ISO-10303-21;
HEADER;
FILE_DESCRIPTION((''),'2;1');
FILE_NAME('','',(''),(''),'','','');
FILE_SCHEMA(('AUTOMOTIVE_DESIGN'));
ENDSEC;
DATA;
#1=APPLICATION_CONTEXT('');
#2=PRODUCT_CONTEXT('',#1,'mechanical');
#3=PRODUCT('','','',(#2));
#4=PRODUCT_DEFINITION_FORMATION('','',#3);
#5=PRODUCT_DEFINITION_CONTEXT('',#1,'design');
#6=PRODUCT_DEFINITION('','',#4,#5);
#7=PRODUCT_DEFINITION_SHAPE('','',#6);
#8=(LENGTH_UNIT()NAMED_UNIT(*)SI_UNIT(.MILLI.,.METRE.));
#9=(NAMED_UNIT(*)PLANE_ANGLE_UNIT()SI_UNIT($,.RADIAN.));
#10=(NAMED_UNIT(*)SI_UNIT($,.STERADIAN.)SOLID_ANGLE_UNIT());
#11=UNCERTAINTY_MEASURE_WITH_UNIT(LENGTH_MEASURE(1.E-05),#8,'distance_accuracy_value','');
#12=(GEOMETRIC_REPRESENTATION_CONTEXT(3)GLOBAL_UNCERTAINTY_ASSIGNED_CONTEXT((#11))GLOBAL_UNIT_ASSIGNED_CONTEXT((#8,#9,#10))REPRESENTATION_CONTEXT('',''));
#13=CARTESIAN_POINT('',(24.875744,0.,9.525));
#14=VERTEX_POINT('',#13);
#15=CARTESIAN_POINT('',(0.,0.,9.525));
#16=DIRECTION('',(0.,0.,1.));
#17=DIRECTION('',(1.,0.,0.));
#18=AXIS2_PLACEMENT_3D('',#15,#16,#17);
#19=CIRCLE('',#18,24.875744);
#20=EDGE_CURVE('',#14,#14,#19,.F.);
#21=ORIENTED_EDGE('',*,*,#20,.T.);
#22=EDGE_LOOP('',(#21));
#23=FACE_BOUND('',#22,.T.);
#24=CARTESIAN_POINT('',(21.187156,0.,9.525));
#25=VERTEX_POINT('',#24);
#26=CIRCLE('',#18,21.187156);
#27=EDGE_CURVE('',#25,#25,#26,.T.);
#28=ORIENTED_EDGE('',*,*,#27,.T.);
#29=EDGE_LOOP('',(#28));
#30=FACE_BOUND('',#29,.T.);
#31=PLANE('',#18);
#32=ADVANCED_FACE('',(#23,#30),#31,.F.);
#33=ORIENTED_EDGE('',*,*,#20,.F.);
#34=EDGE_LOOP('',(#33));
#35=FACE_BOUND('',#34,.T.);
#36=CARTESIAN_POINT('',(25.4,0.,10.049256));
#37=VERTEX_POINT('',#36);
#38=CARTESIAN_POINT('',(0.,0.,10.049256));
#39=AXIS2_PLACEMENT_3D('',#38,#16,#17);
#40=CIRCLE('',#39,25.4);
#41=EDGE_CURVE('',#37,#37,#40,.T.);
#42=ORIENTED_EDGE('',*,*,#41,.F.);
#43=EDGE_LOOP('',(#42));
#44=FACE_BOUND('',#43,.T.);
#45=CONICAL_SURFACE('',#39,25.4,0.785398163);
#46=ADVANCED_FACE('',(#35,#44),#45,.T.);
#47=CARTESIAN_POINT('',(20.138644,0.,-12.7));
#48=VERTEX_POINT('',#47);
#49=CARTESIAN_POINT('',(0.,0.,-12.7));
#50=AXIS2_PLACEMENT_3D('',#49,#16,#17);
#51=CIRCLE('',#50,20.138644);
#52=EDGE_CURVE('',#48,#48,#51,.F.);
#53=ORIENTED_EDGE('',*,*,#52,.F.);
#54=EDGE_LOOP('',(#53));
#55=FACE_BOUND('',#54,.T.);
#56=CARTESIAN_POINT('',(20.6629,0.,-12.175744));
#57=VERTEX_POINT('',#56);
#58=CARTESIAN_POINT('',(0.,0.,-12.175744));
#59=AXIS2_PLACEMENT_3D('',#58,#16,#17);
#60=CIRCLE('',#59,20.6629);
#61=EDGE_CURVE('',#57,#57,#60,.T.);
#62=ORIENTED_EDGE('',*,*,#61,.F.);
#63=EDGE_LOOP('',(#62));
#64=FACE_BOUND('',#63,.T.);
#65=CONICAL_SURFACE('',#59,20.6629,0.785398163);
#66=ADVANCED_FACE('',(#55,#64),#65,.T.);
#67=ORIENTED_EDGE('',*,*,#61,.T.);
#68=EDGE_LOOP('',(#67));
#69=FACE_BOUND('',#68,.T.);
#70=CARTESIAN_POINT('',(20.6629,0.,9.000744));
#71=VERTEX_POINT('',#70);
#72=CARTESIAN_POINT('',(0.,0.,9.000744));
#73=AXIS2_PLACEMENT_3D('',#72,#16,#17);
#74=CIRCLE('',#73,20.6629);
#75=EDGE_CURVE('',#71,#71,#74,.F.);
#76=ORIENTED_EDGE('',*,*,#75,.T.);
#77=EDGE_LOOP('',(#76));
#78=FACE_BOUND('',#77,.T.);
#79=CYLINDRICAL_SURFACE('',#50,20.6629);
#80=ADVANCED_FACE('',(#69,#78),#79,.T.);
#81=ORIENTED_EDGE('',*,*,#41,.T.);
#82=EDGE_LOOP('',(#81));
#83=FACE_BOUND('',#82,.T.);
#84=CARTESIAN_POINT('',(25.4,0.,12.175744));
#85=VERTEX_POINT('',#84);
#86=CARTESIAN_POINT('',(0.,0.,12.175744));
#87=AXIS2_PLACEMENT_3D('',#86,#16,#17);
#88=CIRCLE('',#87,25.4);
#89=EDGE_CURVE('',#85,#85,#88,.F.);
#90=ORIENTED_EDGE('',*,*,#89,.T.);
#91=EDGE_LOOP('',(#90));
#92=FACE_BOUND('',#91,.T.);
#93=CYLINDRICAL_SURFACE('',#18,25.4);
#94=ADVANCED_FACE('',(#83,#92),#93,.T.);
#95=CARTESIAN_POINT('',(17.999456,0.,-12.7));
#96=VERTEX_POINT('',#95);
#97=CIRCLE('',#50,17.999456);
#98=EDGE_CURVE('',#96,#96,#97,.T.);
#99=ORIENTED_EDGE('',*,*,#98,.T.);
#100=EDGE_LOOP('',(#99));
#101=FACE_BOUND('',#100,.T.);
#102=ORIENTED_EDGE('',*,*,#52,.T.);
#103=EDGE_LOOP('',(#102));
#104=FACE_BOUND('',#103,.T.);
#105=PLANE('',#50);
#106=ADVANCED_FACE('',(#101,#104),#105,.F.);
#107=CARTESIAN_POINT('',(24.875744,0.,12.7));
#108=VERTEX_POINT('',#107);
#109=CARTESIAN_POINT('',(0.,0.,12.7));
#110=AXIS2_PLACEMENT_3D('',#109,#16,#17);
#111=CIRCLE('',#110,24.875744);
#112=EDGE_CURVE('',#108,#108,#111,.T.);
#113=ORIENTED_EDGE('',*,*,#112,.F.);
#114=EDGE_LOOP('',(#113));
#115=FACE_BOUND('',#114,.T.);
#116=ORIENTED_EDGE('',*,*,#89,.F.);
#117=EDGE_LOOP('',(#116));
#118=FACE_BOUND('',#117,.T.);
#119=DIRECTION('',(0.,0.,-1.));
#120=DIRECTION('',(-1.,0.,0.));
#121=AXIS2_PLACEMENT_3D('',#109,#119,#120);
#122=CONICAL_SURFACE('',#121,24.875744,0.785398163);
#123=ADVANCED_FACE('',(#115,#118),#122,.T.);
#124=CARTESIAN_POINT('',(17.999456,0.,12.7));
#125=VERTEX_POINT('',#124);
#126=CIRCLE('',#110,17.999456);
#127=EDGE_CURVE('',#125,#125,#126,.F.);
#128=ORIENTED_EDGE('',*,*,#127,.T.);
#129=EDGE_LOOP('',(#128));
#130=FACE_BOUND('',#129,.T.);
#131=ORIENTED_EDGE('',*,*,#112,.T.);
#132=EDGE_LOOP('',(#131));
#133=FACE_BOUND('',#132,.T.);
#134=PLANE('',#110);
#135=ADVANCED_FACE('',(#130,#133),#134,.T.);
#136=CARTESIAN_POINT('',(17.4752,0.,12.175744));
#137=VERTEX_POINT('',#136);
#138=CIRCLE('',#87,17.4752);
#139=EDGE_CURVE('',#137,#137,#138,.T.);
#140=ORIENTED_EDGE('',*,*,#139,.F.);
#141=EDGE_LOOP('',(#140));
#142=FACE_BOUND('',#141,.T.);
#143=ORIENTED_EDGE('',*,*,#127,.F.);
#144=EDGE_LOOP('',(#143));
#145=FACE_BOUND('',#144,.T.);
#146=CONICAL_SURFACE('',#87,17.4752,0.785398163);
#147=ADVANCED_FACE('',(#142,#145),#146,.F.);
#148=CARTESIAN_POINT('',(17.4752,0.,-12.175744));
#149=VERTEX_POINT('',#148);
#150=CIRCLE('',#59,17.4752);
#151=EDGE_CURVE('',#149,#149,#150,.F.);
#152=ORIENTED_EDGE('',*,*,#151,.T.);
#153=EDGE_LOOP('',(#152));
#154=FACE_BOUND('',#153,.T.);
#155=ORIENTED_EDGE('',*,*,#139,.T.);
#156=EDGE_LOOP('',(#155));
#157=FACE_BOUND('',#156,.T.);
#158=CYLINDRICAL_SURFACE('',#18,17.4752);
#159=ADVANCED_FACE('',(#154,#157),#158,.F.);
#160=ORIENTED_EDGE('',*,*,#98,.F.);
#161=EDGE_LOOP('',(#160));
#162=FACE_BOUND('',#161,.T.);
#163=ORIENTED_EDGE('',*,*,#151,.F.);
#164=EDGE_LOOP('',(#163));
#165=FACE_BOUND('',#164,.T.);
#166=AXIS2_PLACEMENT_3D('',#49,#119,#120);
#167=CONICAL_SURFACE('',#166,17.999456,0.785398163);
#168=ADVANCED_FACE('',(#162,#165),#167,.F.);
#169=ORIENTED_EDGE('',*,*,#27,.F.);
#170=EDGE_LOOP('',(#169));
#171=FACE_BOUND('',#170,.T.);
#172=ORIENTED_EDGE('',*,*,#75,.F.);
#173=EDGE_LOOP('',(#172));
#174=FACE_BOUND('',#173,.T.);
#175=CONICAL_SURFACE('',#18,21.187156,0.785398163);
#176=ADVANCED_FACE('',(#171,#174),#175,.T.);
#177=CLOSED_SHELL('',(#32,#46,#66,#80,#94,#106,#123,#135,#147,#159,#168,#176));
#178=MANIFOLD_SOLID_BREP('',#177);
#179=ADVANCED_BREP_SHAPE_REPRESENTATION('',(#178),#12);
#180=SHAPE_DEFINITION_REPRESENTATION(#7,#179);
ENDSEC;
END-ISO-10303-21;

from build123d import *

# Parameters (mm, degrees)
BOSS_EXTRUDE1_START = 12.7
SKETCH3_R           = 25.4
SKETCH3_R_2         = 17.4752
BOSS_EXTRUDE1_DEPTH = 3.175
BOSS_EXTRUDE2_START = 9.525
SKETCH4_R           = 20.6629
SKETCH4_R_2         = 17.4752
BOSS_EXTRUDE2_DEPTH = 22.225
CHAMFER1_SIZE       = 0.524256


with BuildPart() as part:
    # Sketch3 → Boss-Extrude1 (new body)
    with BuildSketch(Plane.XY.offset(BOSS_EXTRUDE1_START)):
        Circle(SKETCH3_R)
        Circle(SKETCH3_R_2, mode=Mode.SUBTRACT)
    extrude(amount=-BOSS_EXTRUDE1_DEPTH)

    # Sketch4 → Boss-Extrude2 (add)
    with BuildSketch(Plane.XY.offset(BOSS_EXTRUDE2_START)):
        Circle(SKETCH4_R)
        Circle(SKETCH4_R_2, mode=Mode.SUBTRACT)
    extrude(amount=-BOSS_EXTRUDE2_DEPTH)

    # Chamfer1
    chamfer1_edges = [part.edges().sort_by_distance(p)[0] for p in [
        (-17.4752, 0, -12.7),
        (-20.6629, 0, 9.525),
        (-25.4, 0, 12.7),
        (-25.4, 0, 9.525),
        (-17.4752, 0, 12.7),
        (-20.6629, 0, -12.7),
    ]]
    chamfer(chamfer1_edges, length=CHAMFER1_SIZE)


solid = part.part
